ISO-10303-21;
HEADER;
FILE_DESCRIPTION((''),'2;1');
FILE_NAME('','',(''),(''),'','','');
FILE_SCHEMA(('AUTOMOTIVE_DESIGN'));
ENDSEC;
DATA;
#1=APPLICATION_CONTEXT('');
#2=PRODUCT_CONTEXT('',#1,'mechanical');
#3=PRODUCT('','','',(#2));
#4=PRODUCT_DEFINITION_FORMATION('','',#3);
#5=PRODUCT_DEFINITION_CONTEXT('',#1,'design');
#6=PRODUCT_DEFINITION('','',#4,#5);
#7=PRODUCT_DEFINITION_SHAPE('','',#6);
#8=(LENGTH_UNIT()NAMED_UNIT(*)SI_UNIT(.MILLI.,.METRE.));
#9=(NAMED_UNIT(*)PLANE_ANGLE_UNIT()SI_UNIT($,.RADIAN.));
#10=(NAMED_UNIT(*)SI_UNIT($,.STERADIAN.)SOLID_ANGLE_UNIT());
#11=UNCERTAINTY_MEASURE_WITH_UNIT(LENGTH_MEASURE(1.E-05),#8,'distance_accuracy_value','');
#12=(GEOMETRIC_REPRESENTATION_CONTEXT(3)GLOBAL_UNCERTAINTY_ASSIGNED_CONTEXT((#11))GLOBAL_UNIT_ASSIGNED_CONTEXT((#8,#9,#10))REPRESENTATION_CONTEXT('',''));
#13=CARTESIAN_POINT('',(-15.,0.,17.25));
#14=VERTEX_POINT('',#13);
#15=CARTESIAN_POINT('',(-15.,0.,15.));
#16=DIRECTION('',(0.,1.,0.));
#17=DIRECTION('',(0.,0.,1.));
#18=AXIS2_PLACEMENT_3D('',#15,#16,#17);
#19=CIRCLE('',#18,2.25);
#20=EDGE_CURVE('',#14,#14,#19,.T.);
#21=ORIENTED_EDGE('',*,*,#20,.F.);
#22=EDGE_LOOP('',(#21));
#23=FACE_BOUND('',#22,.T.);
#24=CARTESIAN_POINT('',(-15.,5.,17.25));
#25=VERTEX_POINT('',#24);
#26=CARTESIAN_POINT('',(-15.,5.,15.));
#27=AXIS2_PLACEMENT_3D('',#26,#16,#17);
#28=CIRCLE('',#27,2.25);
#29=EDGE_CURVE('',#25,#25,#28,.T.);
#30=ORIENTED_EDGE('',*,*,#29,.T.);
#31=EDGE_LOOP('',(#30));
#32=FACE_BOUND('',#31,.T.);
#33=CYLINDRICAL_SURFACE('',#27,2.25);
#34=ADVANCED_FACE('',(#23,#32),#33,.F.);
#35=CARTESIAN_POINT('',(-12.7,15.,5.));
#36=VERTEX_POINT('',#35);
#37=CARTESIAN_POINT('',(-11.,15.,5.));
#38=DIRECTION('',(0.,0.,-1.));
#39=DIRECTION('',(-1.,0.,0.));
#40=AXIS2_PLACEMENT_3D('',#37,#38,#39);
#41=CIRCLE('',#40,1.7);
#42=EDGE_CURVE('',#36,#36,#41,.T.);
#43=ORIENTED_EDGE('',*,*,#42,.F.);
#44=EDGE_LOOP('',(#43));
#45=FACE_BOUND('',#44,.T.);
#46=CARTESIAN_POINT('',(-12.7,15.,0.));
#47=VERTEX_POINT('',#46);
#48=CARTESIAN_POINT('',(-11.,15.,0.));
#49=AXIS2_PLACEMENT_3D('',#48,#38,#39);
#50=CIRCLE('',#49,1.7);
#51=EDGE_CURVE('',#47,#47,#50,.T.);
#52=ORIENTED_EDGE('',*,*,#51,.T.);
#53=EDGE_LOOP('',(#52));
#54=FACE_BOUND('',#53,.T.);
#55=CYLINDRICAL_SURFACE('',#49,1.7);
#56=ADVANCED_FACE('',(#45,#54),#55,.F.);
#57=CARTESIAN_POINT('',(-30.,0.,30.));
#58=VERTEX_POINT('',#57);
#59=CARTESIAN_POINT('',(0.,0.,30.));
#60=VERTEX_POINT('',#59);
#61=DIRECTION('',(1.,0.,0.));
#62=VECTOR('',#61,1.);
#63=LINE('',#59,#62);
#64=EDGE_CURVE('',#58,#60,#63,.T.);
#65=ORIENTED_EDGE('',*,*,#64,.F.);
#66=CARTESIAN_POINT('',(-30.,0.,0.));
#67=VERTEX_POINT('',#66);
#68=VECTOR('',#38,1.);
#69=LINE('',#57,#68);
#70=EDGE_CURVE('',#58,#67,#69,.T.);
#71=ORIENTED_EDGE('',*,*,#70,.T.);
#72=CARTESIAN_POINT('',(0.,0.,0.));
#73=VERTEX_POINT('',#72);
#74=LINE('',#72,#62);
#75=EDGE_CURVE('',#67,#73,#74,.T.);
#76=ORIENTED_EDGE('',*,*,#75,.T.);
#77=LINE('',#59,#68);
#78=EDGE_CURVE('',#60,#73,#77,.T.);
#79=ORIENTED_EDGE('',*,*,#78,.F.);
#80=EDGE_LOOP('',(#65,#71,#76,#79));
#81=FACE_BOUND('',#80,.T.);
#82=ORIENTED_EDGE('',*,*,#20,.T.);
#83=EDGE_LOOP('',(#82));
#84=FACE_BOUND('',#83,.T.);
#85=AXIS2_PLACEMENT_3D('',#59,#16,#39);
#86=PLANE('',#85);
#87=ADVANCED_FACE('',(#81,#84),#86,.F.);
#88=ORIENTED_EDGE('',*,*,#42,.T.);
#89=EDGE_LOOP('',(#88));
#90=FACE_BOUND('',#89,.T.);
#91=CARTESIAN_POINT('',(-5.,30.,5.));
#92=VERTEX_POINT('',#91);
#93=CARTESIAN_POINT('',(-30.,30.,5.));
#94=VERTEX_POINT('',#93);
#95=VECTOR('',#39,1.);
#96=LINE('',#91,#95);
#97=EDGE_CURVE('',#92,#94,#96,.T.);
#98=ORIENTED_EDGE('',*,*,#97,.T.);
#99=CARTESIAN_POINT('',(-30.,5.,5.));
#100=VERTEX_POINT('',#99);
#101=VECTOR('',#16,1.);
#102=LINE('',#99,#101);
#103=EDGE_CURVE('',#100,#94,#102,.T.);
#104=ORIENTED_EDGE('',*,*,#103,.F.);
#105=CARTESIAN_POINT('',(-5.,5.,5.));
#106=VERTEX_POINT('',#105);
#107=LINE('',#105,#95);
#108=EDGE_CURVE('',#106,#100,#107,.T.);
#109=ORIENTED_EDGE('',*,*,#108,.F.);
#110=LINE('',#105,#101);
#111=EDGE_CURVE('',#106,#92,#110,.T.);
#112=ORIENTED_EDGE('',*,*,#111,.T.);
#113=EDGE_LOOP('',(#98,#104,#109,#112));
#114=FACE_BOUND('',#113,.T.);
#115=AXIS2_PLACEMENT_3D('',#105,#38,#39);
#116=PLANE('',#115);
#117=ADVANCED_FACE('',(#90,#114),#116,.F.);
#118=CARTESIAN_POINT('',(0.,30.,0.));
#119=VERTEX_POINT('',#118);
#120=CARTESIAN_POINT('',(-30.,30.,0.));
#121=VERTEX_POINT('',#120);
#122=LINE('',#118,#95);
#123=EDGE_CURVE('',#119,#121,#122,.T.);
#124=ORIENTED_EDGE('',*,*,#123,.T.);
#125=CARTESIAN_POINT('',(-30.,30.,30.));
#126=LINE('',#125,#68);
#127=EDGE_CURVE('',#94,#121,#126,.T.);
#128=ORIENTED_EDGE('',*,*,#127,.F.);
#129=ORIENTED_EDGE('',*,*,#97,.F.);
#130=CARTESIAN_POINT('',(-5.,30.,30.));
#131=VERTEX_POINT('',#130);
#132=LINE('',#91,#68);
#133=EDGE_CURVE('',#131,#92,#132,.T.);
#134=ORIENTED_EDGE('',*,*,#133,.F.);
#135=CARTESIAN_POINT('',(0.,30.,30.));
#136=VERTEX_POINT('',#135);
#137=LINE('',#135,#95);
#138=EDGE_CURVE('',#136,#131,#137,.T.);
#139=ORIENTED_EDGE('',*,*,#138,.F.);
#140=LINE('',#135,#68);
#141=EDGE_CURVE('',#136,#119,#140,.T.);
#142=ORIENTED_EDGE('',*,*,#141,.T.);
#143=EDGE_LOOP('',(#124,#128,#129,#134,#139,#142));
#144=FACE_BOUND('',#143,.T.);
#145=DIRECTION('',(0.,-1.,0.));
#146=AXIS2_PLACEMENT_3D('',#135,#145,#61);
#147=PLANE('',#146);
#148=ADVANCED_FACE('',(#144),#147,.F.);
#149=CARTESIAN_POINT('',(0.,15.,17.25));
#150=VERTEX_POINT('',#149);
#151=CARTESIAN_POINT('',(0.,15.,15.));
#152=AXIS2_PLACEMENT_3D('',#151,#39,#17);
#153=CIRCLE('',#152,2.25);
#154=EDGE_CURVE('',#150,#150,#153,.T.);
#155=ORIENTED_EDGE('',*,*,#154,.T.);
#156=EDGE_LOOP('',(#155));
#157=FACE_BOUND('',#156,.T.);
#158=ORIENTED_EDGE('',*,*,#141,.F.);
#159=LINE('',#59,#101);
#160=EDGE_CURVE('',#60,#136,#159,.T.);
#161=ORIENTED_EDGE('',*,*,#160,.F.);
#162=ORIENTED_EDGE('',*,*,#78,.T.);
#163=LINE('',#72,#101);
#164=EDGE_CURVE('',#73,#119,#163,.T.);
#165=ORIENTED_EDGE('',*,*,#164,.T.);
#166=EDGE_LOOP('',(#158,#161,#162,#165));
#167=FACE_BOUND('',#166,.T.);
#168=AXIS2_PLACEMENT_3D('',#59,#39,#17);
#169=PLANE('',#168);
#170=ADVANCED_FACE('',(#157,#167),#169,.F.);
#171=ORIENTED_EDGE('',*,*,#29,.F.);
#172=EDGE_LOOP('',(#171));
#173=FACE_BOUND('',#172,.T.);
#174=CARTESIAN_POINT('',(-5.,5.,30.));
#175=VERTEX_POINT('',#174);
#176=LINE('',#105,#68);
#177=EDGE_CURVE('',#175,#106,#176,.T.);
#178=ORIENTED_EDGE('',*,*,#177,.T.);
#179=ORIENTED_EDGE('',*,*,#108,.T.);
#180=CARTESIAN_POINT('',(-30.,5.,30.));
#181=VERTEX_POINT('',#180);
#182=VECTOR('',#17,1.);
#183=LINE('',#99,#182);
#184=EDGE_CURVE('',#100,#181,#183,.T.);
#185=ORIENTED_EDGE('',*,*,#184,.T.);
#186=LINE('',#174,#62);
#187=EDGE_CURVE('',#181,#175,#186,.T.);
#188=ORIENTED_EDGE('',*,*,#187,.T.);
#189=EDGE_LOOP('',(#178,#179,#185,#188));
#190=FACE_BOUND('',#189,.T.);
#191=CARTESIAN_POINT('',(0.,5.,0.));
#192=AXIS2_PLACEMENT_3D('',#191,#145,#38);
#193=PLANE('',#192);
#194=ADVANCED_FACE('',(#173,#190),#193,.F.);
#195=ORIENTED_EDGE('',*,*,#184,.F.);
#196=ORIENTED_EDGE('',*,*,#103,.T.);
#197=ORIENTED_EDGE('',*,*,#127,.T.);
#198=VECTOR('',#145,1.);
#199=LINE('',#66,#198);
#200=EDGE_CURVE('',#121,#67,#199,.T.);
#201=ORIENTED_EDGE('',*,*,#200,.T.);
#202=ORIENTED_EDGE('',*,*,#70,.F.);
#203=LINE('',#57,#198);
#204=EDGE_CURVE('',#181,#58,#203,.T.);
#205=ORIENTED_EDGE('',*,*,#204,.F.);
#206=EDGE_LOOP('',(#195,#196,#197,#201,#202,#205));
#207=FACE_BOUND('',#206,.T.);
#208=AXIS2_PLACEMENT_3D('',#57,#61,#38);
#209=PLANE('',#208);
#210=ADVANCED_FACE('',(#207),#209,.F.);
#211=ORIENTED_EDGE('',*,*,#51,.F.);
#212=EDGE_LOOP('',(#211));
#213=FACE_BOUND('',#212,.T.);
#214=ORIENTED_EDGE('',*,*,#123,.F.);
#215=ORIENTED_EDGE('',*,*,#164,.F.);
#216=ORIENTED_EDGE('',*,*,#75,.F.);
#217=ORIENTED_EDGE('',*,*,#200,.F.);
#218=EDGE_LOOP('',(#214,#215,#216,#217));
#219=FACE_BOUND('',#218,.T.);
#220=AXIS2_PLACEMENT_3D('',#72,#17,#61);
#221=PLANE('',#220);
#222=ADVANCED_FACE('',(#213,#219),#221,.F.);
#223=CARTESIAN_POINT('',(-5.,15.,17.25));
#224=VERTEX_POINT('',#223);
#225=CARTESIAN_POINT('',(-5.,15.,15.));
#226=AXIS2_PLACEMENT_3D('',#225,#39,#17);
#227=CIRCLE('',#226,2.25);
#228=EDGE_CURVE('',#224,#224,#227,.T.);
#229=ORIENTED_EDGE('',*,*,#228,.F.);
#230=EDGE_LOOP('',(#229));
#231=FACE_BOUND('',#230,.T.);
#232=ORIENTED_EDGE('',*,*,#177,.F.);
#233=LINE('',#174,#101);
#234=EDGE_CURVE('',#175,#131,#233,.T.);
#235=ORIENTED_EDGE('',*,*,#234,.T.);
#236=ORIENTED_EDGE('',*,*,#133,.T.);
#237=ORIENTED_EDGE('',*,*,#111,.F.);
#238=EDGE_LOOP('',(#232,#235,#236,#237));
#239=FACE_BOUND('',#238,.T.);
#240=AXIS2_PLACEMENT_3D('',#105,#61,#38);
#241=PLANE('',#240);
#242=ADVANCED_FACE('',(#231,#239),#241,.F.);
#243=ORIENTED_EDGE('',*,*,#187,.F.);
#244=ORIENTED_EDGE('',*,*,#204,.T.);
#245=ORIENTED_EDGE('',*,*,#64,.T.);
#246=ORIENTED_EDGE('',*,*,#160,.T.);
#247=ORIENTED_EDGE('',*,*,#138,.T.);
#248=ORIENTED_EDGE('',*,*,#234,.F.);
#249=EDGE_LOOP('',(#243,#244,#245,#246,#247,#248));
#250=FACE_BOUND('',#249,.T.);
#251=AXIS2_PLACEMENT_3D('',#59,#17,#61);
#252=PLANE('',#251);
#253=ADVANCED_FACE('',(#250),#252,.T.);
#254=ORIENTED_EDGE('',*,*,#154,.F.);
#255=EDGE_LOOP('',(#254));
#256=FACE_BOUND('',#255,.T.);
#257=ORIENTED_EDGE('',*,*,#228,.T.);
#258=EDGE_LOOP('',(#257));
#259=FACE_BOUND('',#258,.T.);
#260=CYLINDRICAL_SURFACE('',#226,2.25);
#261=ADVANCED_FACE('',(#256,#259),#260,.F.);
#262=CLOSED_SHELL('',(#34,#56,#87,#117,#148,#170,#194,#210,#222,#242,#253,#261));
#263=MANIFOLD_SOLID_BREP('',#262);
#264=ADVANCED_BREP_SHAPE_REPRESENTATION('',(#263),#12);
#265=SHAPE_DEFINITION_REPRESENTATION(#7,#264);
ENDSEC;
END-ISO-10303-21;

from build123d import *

# Parameters (mm, degrees)
ESBO_O1_W                         = 30
ESBO_O1_H                         = 30
RESSALTO_EXTRUS_O1_DEPTH          = 30
ESBO_O3_W                         = 25
ESBO_O3_H                         = 25
CORTE_EXTRUS_O2_DEPTH             = 25
FURO_COM_FOLGA_DE_M41_D           = 4.5
FURO_COM_FOLGA_DE_M41_ON_FACE_2_D = 4.5
FURO_COM_FOLGA_DE_M31_D           = 3.4


with BuildPart() as part:
    # Esboço1 → Ressalto-extrusão1 (new body)
    with BuildSketch(Plane.XY):
        with Locations((-15, 15)):
            Rectangle(ESBO_O1_W, ESBO_O1_H)
    extrude(amount=RESSALTO_EXTRUS_O1_DEPTH)

    # Esboço3 → Corte-extrusão2 (cut)
    with BuildSketch(Plane(origin=(0, 30, 0), x_dir=(1, 0, 0), z_dir=(0, 1, 0))):
        with Locations((-17.5, -17.5)):
            Rectangle(ESBO_O3_W, ESBO_O3_H)
    extrude(amount=-CORTE_EXTRUS_O2_DEPTH, mode=Mode.SUBTRACT)

    # Furo com folga de M41 (through all)
    with Locations(Plane(origin=(-5, 15, 15), x_dir=(0, 0, -1), z_dir=(-1, 0, 0))):
        with Locations((0, 0)):
            Hole(FURO_COM_FOLGA_DE_M41_D / 2)

    # Furo com folga de M41 on face 2 (through all)
    with Locations(Plane(origin=(-15, 5, 15), x_dir=(0, 0, 1), z_dir=(0, 1, 0))):
        with Locations((0, 0)):
            Hole(FURO_COM_FOLGA_DE_M41_ON_FACE_2_D / 2)

    # Furo com folga de M31 (through all)
    with Locations(Plane(origin=(-11, 15, 0), x_dir=(-1, 0, 0), z_dir=(0, 0, -1))):
        with Locations((0, 0)):
            Hole(FURO_COM_FOLGA_DE_M31_D / 2)


solid = part.part
